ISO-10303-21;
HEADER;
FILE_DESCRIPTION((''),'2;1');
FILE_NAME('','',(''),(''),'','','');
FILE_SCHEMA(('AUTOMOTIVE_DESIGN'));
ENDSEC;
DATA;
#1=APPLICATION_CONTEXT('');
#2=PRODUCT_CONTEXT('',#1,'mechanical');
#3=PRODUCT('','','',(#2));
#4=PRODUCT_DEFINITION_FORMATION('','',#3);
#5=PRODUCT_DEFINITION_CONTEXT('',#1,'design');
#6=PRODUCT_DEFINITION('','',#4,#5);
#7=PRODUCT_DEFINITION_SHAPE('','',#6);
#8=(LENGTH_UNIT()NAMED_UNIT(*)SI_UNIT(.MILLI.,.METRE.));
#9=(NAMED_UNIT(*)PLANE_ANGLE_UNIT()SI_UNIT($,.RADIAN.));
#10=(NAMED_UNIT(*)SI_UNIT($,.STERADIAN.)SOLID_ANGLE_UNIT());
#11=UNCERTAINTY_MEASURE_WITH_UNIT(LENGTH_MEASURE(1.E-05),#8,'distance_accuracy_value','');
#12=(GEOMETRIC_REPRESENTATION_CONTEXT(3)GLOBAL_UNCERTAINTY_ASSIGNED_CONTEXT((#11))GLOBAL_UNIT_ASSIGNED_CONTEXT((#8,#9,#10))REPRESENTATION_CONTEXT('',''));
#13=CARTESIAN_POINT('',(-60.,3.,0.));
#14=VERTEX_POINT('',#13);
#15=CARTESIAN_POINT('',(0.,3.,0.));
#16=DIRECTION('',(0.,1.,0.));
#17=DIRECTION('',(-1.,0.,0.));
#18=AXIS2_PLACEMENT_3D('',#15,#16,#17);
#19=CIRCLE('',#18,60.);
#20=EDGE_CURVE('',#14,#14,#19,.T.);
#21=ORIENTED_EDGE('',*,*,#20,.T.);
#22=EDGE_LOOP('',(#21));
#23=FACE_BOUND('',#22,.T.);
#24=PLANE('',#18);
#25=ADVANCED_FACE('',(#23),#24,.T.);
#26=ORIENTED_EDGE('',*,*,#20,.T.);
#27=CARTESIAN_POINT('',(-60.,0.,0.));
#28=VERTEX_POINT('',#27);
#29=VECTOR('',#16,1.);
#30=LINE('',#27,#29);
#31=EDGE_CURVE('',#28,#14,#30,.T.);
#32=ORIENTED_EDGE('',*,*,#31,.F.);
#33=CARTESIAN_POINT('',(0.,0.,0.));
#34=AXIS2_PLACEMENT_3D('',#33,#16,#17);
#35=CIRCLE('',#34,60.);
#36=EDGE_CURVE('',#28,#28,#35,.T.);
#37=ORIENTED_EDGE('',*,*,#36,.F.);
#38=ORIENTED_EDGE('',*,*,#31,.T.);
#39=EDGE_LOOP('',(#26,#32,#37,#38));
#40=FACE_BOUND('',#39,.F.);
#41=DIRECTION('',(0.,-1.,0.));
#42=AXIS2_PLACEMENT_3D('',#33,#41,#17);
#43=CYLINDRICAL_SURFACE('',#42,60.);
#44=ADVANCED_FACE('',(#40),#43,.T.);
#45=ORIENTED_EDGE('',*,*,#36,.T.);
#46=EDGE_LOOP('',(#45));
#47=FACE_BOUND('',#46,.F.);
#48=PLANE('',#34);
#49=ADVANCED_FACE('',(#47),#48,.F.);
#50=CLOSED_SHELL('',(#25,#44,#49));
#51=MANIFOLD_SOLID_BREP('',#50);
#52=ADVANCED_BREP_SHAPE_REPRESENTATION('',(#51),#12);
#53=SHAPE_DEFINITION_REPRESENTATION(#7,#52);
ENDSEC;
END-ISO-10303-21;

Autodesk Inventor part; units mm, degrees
ref_plane "YZ Plane" through (0, 0, 0) normal (1, 0, 0) x (0, 1, 0)
ref_plane "XZ Plane" through (0, 0, 0) normal (0, 1, 0) x (-1, 0, 0)
ref_plane "XY Plane" through (0, 0, 0) normal (0, 0, 1) x (1, 0, 0)
sketch "Эскиз1" plane through (0, 0, 0) normal (0, 1, 0) x (-1, 0, 0)
  circle A0 centre (0, 0) radius 60
  dimension "d0" = 120
extrude "Выдавливание1" add sketch "Эскиз1" along normal blind 3
properties part number "OuterCap"
